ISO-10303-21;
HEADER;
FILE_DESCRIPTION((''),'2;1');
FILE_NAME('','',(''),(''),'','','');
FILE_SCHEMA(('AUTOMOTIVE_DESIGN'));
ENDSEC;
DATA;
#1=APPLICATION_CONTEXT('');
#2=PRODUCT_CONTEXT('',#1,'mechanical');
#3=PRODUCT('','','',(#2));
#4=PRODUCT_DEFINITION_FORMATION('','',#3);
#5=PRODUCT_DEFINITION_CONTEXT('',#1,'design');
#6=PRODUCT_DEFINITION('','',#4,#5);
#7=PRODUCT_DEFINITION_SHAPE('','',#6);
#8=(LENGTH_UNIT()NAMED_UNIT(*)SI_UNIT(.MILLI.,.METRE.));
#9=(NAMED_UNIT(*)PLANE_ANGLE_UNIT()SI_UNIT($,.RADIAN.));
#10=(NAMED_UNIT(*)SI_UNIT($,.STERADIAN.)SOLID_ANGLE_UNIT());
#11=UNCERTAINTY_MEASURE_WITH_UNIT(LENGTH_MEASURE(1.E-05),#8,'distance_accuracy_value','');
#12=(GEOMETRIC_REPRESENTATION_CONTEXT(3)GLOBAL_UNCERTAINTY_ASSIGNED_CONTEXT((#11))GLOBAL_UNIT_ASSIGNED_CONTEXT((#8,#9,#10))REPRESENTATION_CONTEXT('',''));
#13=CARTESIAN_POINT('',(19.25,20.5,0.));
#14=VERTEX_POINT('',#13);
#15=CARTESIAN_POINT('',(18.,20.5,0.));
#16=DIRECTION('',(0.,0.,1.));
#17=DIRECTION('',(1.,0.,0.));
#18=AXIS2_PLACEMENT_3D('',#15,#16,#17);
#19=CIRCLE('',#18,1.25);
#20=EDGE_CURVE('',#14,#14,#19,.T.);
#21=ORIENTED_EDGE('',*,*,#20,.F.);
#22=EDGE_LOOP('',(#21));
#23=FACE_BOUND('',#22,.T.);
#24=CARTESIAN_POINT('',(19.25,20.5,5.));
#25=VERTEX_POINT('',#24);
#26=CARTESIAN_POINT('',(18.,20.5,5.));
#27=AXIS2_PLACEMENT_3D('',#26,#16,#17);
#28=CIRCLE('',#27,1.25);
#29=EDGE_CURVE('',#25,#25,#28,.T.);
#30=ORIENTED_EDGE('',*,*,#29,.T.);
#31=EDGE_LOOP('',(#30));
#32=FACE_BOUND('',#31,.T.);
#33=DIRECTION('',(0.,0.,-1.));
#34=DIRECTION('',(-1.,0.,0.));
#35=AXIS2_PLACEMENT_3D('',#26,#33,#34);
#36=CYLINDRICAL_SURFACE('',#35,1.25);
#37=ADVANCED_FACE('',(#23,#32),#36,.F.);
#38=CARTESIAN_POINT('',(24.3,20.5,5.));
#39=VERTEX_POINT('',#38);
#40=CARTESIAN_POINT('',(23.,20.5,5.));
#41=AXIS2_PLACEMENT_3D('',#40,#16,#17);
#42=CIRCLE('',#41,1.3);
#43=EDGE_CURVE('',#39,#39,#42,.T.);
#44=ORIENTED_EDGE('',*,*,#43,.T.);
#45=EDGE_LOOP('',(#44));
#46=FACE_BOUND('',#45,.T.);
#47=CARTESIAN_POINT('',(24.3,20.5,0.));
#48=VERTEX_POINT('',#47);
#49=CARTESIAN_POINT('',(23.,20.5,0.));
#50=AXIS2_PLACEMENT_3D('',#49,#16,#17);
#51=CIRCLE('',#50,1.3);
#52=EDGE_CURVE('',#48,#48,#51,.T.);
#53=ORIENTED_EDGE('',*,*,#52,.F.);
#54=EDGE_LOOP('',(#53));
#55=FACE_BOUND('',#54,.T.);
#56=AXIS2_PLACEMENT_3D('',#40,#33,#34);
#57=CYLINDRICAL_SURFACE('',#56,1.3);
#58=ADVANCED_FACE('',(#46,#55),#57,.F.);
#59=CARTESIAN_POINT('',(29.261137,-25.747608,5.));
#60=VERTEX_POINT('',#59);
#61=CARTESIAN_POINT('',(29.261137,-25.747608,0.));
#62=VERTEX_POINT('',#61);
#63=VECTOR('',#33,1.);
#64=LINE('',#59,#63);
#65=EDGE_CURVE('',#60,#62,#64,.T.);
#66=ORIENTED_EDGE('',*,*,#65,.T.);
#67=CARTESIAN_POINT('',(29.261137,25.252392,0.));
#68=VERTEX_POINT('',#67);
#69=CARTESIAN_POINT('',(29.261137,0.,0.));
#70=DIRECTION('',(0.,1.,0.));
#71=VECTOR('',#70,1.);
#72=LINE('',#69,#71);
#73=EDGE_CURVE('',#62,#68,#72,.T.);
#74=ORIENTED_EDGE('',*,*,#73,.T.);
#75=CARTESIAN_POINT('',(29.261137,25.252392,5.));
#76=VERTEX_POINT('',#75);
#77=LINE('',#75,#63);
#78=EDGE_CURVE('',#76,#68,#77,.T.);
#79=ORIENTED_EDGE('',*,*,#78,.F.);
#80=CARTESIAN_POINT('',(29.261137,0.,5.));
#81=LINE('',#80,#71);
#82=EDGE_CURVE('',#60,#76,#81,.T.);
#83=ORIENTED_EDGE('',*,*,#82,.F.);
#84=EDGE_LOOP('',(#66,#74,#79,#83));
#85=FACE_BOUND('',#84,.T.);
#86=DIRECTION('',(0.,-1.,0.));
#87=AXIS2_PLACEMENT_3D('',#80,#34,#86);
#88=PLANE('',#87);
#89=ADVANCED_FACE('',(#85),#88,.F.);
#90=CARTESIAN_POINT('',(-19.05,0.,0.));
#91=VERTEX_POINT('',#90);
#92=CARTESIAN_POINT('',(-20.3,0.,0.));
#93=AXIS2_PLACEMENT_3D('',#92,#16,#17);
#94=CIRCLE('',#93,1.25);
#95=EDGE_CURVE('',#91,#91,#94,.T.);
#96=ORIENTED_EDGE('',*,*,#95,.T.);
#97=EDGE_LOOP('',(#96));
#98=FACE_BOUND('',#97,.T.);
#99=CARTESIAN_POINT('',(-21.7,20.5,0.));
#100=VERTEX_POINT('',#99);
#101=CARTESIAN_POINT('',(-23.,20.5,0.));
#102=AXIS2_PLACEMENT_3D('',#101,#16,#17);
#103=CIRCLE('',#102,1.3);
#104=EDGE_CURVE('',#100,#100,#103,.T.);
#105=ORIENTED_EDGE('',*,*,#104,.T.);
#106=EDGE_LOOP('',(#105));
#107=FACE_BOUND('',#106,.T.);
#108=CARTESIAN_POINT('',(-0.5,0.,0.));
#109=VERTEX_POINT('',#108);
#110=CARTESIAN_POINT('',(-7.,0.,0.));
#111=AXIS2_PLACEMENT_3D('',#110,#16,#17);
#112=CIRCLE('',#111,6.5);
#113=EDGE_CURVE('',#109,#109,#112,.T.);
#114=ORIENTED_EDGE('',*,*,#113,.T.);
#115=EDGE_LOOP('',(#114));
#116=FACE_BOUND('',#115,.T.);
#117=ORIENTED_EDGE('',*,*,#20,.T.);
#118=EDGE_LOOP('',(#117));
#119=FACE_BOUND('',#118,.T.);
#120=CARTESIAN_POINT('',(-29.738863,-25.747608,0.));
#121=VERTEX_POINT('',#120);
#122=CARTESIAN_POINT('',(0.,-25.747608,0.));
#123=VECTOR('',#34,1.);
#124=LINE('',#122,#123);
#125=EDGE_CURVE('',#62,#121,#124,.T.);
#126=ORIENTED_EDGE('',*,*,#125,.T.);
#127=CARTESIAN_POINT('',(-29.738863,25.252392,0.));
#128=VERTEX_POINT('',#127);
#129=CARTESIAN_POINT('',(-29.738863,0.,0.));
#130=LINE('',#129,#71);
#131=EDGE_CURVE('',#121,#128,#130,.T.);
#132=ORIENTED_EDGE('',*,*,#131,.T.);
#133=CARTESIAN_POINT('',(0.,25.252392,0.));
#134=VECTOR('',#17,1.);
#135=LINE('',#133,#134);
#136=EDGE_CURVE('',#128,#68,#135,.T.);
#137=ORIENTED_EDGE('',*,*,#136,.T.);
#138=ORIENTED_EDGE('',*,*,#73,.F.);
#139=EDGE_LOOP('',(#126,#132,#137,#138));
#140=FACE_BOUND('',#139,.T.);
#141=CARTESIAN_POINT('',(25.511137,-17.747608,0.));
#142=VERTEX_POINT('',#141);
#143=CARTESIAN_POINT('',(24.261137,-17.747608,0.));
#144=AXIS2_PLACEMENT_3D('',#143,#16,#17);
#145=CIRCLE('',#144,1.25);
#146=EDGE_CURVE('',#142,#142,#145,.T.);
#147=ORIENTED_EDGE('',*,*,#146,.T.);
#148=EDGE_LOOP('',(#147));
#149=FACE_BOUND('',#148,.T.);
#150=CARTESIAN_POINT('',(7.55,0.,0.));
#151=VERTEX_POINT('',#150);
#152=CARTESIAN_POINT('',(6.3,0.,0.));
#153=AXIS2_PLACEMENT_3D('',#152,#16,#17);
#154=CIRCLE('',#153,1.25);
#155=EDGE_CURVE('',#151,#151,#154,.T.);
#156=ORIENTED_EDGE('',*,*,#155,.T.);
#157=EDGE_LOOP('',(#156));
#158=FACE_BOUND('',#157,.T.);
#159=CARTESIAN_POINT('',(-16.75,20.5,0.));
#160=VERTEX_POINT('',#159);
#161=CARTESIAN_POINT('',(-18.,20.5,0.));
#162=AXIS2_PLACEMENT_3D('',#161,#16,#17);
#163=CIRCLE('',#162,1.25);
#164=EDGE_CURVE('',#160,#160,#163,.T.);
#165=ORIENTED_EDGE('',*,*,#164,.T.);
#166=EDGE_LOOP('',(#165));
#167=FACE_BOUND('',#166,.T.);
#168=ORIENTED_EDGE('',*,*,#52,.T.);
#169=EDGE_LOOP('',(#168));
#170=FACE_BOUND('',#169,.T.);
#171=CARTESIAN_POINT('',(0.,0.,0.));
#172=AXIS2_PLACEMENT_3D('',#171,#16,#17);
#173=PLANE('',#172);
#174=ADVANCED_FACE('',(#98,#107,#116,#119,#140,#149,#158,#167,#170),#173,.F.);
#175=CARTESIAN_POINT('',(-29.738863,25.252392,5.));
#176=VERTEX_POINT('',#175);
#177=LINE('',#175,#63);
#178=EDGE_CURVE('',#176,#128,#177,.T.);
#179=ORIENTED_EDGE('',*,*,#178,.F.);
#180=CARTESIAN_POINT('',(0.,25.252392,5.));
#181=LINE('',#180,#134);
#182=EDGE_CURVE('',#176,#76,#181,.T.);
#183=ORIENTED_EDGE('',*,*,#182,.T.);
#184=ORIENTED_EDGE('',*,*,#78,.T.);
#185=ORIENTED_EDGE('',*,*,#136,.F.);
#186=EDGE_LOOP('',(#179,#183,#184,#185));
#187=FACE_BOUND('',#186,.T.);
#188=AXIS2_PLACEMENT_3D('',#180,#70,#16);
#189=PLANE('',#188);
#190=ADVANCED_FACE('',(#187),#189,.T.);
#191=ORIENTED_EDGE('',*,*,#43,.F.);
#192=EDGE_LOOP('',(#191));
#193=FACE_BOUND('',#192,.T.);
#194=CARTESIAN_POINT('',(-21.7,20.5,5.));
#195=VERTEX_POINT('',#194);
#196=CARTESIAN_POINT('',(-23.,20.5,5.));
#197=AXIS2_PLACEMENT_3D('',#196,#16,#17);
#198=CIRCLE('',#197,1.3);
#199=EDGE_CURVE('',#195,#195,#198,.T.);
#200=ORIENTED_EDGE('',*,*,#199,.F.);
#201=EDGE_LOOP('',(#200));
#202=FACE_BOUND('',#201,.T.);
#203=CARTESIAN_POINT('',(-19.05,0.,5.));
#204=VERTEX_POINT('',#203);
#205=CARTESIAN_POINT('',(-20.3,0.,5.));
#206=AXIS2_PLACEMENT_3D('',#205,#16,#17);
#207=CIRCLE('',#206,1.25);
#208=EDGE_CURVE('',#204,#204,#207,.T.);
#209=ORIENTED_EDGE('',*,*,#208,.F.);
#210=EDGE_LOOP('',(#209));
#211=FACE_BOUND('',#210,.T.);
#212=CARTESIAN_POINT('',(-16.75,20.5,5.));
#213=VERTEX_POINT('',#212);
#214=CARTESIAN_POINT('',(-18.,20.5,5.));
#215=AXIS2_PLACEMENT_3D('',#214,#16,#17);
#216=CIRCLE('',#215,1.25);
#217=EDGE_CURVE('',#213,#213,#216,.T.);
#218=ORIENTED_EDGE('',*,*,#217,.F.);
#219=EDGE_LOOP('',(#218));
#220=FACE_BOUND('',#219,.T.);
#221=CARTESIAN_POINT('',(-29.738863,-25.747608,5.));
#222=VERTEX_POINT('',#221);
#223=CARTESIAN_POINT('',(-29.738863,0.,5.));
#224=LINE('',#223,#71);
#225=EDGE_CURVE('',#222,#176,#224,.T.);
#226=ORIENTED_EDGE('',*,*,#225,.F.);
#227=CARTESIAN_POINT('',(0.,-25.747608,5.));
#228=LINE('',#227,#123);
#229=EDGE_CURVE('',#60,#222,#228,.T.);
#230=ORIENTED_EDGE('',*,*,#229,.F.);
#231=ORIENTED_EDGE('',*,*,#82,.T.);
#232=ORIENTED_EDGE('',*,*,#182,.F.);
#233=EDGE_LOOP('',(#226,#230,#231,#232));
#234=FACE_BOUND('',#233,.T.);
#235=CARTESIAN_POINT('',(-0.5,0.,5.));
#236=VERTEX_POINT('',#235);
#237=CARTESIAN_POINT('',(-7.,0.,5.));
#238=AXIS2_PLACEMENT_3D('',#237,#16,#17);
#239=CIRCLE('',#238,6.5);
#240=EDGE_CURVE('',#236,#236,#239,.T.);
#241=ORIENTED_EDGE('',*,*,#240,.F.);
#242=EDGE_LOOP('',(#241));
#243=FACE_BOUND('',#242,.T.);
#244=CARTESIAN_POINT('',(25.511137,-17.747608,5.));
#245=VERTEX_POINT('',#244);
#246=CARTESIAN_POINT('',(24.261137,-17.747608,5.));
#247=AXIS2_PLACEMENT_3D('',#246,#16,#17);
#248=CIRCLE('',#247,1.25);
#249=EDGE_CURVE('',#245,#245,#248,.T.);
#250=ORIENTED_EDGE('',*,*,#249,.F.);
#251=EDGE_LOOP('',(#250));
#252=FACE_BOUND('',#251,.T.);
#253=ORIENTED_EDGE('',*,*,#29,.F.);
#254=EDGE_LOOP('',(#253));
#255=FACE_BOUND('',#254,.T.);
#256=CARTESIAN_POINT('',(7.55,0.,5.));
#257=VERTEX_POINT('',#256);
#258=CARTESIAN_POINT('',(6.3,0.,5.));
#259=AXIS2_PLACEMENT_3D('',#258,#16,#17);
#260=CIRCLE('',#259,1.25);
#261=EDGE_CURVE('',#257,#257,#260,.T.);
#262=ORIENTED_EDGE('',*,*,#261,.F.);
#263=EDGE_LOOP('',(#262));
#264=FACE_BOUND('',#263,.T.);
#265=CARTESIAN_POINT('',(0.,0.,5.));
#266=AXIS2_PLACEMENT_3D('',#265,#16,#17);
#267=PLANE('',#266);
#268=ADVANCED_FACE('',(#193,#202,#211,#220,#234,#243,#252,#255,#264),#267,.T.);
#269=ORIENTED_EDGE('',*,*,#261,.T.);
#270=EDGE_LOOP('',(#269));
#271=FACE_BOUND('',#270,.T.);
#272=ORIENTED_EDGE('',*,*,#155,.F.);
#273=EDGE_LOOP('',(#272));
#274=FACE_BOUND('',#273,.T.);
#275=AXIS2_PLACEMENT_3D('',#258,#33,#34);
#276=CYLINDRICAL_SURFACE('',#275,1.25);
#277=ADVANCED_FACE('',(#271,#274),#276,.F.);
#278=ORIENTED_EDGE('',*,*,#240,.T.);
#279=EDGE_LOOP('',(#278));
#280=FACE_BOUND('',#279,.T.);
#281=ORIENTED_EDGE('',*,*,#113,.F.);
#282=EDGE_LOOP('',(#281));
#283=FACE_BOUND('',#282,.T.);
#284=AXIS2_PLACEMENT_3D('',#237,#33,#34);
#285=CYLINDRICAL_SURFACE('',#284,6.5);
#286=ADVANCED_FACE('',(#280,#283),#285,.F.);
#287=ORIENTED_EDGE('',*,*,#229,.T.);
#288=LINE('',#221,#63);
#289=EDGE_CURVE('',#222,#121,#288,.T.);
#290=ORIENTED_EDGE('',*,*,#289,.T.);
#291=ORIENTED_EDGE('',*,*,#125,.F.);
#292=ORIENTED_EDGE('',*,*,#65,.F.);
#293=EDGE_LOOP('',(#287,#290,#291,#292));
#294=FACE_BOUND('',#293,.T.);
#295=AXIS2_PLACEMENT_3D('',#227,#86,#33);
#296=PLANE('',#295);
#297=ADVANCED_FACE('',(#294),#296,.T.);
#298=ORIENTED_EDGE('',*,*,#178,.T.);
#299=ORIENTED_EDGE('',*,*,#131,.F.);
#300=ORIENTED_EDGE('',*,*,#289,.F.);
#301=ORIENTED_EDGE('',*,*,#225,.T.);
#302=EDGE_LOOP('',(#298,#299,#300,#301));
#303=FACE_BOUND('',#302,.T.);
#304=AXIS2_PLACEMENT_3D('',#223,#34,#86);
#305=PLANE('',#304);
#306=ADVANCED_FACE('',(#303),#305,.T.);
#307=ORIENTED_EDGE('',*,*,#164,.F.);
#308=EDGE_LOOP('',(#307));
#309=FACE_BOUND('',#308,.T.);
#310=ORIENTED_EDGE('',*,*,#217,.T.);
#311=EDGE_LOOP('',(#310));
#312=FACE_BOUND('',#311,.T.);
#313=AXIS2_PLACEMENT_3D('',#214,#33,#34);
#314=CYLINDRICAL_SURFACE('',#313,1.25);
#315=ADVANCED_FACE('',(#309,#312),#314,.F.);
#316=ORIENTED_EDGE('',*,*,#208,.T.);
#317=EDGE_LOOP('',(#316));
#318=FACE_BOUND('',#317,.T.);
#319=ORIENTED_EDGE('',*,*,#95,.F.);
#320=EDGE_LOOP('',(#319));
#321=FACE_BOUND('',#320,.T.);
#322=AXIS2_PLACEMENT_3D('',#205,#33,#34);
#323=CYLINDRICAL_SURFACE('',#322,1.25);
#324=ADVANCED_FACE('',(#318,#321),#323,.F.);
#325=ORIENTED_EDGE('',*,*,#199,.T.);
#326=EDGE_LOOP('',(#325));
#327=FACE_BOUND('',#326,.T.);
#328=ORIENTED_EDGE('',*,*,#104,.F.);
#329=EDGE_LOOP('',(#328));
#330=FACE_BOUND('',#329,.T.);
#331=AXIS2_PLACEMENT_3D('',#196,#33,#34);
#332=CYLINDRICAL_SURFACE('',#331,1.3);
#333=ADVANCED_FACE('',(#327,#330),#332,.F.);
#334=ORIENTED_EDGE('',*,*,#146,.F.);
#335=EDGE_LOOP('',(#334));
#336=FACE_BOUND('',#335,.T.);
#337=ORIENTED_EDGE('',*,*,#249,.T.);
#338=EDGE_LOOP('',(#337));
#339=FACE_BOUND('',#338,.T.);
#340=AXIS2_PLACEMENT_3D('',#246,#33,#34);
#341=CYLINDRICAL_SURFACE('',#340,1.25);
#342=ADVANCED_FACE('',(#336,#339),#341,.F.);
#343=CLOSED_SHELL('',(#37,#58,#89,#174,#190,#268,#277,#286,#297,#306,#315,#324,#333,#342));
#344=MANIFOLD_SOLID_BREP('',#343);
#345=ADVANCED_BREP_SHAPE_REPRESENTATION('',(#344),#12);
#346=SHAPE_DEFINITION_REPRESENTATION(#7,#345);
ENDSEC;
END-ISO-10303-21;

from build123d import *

# Parameters (mm, degrees)
CROQUIS1_W              = 59
CROQUIS1_H              = 51
CROQUIS1_R              = 1.25
CROQUIS1_R_2            = 1.3
CROQUIS1_R_3            = 6.5
SALIENTE_EXTRUIR1_DEPTH = 5


with BuildPart() as part:
    # Croquis1 → Saliente-Extruir1 (new body)
    with BuildSketch(Plane.XY):
        with Locations((-0.238863052, -0.247607665)):
            Rectangle(CROQUIS1_W, CROQUIS1_H)
        with Locations((24.261136948, -17.747607665)):
            Circle(CROQUIS1_R, mode=Mode.SUBTRACT)
        with Locations((-18, 20.5)):
            Circle(CROQUIS1_R, mode=Mode.SUBTRACT)
        with Locations((18, 20.5)):
            Circle(CROQUIS1_R, mode=Mode.SUBTRACT)
        with Locations((-23, 20.5)):
            Circle(CROQUIS1_R_2, mode=Mode.SUBTRACT)
        with Locations((23, 20.5)):
            Circle(CROQUIS1_R_2, mode=Mode.SUBTRACT)
        with Locations((-7, 0)):
            Circle(CROQUIS1_R_3, mode=Mode.SUBTRACT)
        with Locations((-20.3, 0)):
            Circle(CROQUIS1_R, mode=Mode.SUBTRACT)
        with Locations((6.3, 0)):
            Circle(CROQUIS1_R, mode=Mode.SUBTRACT)
    extrude(amount=SALIENTE_EXTRUIR1_DEPTH)


solid = part.part
